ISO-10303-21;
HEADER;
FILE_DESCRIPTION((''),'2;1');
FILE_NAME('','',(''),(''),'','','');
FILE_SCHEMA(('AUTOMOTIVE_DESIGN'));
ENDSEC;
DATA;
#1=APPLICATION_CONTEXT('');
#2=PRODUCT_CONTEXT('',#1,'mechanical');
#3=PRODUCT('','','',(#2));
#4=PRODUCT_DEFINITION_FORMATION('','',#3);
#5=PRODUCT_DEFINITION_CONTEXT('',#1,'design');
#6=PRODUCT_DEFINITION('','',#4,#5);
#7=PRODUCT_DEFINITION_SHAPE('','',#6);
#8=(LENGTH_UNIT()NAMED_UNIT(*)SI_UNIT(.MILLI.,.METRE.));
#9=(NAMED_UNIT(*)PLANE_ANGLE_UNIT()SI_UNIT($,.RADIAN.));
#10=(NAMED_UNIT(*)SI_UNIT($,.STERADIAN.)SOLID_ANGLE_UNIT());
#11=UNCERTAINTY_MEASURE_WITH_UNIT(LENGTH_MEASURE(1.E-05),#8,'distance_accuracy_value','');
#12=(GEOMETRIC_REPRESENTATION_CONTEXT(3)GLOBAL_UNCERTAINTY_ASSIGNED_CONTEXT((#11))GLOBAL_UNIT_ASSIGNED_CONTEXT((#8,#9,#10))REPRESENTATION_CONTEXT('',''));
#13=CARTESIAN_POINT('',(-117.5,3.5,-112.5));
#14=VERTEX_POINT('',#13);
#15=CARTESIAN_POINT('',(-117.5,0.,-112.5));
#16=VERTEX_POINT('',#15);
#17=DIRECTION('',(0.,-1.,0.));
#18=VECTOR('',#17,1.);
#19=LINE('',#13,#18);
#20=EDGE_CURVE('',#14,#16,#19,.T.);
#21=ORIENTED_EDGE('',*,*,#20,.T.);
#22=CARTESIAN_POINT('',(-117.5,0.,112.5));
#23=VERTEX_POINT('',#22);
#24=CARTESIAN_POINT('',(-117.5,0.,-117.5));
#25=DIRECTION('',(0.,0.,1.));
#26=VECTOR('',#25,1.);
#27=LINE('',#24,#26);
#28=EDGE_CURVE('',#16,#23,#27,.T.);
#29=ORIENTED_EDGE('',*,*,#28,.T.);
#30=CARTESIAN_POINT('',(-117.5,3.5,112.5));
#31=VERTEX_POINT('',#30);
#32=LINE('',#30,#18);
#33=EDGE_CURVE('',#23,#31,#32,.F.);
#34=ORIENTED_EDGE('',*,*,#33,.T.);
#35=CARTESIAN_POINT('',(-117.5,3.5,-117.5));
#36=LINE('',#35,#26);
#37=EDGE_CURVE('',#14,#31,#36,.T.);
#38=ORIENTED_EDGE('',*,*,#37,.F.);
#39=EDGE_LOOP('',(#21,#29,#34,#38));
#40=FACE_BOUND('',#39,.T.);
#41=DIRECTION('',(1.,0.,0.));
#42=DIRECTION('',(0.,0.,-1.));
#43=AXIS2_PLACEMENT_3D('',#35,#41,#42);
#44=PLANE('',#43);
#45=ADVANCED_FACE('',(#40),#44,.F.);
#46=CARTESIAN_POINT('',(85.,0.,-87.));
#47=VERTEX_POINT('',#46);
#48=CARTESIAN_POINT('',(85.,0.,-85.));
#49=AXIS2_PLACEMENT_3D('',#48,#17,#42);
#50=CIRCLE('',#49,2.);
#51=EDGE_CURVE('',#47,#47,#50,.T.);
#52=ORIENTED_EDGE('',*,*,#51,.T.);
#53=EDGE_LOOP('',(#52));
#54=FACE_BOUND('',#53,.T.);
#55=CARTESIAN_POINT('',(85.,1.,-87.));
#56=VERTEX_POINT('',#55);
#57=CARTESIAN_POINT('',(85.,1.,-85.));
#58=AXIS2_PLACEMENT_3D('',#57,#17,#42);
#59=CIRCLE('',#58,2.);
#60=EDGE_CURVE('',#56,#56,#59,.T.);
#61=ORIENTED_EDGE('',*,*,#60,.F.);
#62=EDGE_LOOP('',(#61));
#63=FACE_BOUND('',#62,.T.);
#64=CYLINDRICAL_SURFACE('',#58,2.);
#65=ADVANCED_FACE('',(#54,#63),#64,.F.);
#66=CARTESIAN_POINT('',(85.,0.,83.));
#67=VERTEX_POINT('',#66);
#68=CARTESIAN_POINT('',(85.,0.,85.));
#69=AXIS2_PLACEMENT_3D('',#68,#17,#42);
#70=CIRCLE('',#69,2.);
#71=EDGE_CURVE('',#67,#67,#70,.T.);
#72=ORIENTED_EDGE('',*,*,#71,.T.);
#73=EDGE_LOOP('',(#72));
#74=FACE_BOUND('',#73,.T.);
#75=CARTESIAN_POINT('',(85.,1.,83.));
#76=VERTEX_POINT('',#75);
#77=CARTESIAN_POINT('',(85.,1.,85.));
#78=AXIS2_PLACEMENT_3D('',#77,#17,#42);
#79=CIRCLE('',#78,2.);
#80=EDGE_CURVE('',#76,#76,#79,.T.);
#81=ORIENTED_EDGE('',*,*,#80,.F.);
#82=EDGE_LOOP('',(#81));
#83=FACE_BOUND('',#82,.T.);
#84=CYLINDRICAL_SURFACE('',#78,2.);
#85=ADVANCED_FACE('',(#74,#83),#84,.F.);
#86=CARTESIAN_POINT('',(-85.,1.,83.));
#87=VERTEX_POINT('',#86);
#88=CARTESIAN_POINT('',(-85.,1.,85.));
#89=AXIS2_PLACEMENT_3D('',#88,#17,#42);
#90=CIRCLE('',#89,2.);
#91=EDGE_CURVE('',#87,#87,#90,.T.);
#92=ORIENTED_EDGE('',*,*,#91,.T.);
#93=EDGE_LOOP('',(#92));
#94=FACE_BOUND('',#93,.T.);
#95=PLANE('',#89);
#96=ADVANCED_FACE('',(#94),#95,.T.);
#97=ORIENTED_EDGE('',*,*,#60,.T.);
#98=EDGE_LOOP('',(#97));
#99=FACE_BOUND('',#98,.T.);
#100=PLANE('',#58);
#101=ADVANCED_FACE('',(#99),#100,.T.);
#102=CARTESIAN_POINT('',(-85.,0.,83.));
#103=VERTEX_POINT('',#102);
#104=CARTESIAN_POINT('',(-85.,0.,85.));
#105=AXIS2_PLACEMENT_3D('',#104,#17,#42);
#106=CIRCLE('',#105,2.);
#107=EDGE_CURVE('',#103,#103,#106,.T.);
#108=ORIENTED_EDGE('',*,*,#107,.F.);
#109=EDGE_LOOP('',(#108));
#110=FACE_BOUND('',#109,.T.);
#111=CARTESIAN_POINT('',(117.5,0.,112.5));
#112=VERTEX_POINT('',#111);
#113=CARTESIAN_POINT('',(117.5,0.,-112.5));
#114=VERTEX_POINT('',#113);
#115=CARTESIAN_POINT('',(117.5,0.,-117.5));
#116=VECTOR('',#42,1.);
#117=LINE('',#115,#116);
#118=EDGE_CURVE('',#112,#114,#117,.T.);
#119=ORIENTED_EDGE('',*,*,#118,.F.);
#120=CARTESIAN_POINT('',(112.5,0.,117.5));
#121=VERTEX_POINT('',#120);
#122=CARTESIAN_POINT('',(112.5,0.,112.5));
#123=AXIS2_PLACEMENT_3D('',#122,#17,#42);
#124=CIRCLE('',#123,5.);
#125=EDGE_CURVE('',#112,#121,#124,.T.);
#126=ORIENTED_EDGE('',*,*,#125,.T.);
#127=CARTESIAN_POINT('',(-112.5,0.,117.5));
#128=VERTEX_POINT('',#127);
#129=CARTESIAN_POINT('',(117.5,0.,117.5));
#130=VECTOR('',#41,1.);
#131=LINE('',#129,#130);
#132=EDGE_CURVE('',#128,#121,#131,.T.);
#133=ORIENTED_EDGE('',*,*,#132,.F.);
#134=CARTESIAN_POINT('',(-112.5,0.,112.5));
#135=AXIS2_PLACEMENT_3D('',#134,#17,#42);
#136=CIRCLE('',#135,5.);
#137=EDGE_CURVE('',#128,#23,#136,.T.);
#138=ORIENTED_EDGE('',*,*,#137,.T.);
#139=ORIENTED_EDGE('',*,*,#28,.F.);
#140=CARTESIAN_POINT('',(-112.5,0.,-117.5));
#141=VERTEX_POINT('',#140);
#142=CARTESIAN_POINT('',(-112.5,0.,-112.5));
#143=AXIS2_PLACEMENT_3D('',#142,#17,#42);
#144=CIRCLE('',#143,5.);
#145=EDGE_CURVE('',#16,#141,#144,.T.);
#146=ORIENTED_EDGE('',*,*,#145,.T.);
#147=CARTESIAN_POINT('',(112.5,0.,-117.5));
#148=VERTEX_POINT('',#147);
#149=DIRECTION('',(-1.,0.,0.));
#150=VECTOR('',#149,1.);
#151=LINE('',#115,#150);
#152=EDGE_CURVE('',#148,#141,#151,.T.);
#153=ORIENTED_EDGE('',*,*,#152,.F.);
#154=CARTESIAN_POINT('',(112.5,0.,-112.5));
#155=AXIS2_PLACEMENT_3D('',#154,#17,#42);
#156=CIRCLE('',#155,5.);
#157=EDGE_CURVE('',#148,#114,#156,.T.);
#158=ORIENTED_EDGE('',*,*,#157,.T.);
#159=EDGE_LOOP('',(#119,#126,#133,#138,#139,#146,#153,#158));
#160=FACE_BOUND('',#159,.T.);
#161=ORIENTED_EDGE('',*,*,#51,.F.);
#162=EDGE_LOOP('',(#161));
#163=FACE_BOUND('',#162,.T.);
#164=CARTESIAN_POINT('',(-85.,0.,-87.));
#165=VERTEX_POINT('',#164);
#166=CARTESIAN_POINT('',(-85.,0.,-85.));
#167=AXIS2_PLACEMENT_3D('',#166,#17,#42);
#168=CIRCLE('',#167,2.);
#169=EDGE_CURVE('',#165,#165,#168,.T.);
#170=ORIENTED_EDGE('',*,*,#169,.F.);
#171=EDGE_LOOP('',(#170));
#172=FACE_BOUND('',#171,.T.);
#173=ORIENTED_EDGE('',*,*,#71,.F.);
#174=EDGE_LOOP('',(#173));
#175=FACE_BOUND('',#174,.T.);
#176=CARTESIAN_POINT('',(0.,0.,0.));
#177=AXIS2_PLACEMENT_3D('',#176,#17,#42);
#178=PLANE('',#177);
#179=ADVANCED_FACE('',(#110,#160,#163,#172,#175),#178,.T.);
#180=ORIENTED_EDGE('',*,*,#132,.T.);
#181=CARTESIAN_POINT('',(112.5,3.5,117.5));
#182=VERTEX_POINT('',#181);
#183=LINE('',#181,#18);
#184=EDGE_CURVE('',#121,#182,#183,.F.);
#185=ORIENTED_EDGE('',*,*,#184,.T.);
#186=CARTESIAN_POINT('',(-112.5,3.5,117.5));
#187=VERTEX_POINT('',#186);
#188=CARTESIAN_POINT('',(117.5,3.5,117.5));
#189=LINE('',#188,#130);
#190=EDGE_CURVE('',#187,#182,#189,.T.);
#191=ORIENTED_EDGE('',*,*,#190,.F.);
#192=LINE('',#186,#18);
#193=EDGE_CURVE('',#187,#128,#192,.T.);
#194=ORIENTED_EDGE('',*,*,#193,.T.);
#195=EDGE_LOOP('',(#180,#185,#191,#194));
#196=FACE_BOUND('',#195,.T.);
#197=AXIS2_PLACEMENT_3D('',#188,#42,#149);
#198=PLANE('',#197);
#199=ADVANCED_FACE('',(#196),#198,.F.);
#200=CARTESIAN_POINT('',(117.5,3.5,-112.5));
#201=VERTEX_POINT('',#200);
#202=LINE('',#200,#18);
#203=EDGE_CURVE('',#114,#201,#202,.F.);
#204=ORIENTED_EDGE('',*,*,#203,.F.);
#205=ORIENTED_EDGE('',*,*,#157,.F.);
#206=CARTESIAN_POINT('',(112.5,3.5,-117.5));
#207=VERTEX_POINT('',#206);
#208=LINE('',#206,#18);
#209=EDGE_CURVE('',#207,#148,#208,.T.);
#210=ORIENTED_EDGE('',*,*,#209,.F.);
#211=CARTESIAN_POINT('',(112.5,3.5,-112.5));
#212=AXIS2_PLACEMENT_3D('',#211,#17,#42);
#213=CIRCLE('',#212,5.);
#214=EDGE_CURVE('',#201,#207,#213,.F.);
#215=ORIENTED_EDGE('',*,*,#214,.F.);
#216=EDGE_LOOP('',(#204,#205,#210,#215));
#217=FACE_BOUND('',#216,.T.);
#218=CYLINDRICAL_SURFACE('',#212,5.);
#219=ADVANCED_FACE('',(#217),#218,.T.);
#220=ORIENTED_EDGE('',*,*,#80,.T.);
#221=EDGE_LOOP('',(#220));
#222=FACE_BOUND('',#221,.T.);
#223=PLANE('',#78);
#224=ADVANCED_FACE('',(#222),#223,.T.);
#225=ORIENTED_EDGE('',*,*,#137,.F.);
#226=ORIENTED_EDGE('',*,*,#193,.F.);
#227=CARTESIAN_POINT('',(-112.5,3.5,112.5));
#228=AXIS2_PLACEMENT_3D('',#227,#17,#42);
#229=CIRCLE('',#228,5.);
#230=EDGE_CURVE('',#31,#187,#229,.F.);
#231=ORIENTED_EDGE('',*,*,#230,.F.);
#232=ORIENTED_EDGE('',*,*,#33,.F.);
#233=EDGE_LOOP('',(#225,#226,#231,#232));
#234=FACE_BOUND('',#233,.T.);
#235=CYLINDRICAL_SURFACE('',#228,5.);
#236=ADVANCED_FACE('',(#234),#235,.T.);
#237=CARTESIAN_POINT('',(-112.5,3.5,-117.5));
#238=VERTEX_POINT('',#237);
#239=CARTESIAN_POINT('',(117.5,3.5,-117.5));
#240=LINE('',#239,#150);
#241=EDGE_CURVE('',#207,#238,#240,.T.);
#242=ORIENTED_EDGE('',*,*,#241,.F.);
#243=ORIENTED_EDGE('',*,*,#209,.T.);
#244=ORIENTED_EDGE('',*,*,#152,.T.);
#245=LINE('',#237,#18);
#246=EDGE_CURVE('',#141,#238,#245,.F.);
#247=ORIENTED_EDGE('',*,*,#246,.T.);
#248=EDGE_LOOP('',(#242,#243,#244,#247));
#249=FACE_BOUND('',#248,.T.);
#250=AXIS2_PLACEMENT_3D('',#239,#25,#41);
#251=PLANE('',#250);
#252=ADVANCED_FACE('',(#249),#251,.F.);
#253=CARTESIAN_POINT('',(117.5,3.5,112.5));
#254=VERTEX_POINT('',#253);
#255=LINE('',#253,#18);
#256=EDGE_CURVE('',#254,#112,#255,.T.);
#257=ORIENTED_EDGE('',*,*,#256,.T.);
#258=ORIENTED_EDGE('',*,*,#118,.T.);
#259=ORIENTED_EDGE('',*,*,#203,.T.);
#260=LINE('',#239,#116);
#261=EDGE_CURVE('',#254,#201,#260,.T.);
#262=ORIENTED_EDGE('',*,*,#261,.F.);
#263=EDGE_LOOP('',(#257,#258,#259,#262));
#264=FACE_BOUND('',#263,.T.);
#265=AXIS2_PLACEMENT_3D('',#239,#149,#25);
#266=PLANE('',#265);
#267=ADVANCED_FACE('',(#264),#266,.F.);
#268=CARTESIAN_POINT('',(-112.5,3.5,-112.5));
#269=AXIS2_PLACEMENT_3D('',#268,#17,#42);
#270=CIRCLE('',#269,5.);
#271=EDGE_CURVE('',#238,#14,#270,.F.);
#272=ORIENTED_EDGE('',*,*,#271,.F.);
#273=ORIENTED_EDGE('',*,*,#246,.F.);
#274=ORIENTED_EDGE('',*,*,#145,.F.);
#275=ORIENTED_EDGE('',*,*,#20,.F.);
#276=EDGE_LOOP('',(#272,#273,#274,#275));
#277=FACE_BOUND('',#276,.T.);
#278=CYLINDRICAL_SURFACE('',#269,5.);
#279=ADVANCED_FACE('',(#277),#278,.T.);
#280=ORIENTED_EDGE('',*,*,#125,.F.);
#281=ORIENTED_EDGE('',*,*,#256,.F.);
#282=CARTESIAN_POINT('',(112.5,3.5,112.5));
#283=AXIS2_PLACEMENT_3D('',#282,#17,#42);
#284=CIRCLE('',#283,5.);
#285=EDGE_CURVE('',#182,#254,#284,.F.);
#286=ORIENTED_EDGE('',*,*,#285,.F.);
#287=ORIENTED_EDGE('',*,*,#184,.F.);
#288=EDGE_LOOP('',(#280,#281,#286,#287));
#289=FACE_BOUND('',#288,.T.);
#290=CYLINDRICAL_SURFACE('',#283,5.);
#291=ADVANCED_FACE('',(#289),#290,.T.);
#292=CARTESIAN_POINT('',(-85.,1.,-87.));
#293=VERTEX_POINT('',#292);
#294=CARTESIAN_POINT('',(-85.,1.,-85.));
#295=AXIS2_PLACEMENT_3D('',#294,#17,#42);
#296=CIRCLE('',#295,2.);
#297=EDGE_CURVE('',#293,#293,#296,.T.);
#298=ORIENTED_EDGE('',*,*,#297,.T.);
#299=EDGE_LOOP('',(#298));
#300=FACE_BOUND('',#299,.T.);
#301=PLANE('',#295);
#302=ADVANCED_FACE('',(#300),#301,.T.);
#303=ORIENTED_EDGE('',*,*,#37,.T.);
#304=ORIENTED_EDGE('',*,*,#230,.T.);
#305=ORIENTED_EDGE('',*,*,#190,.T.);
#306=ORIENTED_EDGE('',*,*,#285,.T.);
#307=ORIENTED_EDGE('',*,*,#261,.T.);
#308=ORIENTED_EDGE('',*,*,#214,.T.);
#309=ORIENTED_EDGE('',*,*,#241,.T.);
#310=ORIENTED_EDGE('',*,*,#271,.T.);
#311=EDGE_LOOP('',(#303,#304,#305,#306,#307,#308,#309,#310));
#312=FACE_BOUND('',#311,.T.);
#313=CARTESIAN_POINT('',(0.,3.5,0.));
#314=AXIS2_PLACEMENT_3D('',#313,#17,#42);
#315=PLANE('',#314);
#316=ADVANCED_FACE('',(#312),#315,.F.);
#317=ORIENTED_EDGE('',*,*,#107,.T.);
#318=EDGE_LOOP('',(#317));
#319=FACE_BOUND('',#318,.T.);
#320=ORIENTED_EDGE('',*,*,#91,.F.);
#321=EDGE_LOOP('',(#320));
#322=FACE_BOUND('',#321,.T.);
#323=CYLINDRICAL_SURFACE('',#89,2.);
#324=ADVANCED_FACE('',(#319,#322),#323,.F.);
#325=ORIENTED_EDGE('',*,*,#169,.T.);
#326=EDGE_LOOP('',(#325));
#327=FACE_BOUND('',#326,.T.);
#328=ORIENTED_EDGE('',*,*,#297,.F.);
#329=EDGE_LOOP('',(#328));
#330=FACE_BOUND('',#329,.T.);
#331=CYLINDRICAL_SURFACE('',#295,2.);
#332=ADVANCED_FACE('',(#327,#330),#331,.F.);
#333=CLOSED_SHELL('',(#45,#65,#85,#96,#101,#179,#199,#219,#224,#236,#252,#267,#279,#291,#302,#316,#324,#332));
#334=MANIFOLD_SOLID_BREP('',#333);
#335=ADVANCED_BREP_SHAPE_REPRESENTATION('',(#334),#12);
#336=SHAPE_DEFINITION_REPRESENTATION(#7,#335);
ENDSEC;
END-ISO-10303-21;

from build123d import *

# Parameters (mm, degrees)
SKETCH1_W            = 235
SKETCH1_H            = 235
BOSS_EXTRUDE1_DEPTH  = 3.5
FILLET1_R            = 5
SKETCH2_R            = 2
CUT_EXTRUDE1_DEPTH   = 1
LPATTERN1_COUNT      = 2
LPATTERN1_PITCH      = 170
LPATTERN1_COUNT_DIR2 = 2
LPATTERN1_PITCH_DIR2 = 170


with BuildPart() as part:
    # Sketch1 → Boss-Extrude1 (new body)
    with BuildSketch(Plane(origin=(0, 0, 0), x_dir=(1, 0, 0), z_dir=(0, 1, 0))):
        Rectangle(SKETCH1_W, SKETCH1_H)
    extrude(amount=BOSS_EXTRUDE1_DEPTH)

    # Fillet1
    fillet1_edges = [part.edges().sort_by_distance(p)[0] for p in [
        (-117.5, 1.75, -117.5),
        (117.5, 1.75, -117.5),
        (117.5, 1.75, 117.5),
        (-117.5, 1.75, 117.5),
    ]]
    fillet(fillet1_edges, radius=FILLET1_R)

    # Sketch2 → Cut-Extrude1 (cut)
    with BuildSketch(Plane.XZ):
        with Locations((-85, -85)):
            Circle(SKETCH2_R)
    cut_extrude1 = extrude(amount=-CUT_EXTRUDE1_DEPTH, mode=Mode.SUBTRACT)

    # LPattern1: Cut-Extrude1 2 × 2
    with Locations(*[(j * LPATTERN1_PITCH_DIR2, 0, i * LPATTERN1_PITCH) for i in range(LPATTERN1_COUNT) for j in range(LPATTERN1_COUNT_DIR2) if (i, j) != (0, 0)]):
        add(cut_extrude1, mode=Mode.SUBTRACT)


solid = part.part
